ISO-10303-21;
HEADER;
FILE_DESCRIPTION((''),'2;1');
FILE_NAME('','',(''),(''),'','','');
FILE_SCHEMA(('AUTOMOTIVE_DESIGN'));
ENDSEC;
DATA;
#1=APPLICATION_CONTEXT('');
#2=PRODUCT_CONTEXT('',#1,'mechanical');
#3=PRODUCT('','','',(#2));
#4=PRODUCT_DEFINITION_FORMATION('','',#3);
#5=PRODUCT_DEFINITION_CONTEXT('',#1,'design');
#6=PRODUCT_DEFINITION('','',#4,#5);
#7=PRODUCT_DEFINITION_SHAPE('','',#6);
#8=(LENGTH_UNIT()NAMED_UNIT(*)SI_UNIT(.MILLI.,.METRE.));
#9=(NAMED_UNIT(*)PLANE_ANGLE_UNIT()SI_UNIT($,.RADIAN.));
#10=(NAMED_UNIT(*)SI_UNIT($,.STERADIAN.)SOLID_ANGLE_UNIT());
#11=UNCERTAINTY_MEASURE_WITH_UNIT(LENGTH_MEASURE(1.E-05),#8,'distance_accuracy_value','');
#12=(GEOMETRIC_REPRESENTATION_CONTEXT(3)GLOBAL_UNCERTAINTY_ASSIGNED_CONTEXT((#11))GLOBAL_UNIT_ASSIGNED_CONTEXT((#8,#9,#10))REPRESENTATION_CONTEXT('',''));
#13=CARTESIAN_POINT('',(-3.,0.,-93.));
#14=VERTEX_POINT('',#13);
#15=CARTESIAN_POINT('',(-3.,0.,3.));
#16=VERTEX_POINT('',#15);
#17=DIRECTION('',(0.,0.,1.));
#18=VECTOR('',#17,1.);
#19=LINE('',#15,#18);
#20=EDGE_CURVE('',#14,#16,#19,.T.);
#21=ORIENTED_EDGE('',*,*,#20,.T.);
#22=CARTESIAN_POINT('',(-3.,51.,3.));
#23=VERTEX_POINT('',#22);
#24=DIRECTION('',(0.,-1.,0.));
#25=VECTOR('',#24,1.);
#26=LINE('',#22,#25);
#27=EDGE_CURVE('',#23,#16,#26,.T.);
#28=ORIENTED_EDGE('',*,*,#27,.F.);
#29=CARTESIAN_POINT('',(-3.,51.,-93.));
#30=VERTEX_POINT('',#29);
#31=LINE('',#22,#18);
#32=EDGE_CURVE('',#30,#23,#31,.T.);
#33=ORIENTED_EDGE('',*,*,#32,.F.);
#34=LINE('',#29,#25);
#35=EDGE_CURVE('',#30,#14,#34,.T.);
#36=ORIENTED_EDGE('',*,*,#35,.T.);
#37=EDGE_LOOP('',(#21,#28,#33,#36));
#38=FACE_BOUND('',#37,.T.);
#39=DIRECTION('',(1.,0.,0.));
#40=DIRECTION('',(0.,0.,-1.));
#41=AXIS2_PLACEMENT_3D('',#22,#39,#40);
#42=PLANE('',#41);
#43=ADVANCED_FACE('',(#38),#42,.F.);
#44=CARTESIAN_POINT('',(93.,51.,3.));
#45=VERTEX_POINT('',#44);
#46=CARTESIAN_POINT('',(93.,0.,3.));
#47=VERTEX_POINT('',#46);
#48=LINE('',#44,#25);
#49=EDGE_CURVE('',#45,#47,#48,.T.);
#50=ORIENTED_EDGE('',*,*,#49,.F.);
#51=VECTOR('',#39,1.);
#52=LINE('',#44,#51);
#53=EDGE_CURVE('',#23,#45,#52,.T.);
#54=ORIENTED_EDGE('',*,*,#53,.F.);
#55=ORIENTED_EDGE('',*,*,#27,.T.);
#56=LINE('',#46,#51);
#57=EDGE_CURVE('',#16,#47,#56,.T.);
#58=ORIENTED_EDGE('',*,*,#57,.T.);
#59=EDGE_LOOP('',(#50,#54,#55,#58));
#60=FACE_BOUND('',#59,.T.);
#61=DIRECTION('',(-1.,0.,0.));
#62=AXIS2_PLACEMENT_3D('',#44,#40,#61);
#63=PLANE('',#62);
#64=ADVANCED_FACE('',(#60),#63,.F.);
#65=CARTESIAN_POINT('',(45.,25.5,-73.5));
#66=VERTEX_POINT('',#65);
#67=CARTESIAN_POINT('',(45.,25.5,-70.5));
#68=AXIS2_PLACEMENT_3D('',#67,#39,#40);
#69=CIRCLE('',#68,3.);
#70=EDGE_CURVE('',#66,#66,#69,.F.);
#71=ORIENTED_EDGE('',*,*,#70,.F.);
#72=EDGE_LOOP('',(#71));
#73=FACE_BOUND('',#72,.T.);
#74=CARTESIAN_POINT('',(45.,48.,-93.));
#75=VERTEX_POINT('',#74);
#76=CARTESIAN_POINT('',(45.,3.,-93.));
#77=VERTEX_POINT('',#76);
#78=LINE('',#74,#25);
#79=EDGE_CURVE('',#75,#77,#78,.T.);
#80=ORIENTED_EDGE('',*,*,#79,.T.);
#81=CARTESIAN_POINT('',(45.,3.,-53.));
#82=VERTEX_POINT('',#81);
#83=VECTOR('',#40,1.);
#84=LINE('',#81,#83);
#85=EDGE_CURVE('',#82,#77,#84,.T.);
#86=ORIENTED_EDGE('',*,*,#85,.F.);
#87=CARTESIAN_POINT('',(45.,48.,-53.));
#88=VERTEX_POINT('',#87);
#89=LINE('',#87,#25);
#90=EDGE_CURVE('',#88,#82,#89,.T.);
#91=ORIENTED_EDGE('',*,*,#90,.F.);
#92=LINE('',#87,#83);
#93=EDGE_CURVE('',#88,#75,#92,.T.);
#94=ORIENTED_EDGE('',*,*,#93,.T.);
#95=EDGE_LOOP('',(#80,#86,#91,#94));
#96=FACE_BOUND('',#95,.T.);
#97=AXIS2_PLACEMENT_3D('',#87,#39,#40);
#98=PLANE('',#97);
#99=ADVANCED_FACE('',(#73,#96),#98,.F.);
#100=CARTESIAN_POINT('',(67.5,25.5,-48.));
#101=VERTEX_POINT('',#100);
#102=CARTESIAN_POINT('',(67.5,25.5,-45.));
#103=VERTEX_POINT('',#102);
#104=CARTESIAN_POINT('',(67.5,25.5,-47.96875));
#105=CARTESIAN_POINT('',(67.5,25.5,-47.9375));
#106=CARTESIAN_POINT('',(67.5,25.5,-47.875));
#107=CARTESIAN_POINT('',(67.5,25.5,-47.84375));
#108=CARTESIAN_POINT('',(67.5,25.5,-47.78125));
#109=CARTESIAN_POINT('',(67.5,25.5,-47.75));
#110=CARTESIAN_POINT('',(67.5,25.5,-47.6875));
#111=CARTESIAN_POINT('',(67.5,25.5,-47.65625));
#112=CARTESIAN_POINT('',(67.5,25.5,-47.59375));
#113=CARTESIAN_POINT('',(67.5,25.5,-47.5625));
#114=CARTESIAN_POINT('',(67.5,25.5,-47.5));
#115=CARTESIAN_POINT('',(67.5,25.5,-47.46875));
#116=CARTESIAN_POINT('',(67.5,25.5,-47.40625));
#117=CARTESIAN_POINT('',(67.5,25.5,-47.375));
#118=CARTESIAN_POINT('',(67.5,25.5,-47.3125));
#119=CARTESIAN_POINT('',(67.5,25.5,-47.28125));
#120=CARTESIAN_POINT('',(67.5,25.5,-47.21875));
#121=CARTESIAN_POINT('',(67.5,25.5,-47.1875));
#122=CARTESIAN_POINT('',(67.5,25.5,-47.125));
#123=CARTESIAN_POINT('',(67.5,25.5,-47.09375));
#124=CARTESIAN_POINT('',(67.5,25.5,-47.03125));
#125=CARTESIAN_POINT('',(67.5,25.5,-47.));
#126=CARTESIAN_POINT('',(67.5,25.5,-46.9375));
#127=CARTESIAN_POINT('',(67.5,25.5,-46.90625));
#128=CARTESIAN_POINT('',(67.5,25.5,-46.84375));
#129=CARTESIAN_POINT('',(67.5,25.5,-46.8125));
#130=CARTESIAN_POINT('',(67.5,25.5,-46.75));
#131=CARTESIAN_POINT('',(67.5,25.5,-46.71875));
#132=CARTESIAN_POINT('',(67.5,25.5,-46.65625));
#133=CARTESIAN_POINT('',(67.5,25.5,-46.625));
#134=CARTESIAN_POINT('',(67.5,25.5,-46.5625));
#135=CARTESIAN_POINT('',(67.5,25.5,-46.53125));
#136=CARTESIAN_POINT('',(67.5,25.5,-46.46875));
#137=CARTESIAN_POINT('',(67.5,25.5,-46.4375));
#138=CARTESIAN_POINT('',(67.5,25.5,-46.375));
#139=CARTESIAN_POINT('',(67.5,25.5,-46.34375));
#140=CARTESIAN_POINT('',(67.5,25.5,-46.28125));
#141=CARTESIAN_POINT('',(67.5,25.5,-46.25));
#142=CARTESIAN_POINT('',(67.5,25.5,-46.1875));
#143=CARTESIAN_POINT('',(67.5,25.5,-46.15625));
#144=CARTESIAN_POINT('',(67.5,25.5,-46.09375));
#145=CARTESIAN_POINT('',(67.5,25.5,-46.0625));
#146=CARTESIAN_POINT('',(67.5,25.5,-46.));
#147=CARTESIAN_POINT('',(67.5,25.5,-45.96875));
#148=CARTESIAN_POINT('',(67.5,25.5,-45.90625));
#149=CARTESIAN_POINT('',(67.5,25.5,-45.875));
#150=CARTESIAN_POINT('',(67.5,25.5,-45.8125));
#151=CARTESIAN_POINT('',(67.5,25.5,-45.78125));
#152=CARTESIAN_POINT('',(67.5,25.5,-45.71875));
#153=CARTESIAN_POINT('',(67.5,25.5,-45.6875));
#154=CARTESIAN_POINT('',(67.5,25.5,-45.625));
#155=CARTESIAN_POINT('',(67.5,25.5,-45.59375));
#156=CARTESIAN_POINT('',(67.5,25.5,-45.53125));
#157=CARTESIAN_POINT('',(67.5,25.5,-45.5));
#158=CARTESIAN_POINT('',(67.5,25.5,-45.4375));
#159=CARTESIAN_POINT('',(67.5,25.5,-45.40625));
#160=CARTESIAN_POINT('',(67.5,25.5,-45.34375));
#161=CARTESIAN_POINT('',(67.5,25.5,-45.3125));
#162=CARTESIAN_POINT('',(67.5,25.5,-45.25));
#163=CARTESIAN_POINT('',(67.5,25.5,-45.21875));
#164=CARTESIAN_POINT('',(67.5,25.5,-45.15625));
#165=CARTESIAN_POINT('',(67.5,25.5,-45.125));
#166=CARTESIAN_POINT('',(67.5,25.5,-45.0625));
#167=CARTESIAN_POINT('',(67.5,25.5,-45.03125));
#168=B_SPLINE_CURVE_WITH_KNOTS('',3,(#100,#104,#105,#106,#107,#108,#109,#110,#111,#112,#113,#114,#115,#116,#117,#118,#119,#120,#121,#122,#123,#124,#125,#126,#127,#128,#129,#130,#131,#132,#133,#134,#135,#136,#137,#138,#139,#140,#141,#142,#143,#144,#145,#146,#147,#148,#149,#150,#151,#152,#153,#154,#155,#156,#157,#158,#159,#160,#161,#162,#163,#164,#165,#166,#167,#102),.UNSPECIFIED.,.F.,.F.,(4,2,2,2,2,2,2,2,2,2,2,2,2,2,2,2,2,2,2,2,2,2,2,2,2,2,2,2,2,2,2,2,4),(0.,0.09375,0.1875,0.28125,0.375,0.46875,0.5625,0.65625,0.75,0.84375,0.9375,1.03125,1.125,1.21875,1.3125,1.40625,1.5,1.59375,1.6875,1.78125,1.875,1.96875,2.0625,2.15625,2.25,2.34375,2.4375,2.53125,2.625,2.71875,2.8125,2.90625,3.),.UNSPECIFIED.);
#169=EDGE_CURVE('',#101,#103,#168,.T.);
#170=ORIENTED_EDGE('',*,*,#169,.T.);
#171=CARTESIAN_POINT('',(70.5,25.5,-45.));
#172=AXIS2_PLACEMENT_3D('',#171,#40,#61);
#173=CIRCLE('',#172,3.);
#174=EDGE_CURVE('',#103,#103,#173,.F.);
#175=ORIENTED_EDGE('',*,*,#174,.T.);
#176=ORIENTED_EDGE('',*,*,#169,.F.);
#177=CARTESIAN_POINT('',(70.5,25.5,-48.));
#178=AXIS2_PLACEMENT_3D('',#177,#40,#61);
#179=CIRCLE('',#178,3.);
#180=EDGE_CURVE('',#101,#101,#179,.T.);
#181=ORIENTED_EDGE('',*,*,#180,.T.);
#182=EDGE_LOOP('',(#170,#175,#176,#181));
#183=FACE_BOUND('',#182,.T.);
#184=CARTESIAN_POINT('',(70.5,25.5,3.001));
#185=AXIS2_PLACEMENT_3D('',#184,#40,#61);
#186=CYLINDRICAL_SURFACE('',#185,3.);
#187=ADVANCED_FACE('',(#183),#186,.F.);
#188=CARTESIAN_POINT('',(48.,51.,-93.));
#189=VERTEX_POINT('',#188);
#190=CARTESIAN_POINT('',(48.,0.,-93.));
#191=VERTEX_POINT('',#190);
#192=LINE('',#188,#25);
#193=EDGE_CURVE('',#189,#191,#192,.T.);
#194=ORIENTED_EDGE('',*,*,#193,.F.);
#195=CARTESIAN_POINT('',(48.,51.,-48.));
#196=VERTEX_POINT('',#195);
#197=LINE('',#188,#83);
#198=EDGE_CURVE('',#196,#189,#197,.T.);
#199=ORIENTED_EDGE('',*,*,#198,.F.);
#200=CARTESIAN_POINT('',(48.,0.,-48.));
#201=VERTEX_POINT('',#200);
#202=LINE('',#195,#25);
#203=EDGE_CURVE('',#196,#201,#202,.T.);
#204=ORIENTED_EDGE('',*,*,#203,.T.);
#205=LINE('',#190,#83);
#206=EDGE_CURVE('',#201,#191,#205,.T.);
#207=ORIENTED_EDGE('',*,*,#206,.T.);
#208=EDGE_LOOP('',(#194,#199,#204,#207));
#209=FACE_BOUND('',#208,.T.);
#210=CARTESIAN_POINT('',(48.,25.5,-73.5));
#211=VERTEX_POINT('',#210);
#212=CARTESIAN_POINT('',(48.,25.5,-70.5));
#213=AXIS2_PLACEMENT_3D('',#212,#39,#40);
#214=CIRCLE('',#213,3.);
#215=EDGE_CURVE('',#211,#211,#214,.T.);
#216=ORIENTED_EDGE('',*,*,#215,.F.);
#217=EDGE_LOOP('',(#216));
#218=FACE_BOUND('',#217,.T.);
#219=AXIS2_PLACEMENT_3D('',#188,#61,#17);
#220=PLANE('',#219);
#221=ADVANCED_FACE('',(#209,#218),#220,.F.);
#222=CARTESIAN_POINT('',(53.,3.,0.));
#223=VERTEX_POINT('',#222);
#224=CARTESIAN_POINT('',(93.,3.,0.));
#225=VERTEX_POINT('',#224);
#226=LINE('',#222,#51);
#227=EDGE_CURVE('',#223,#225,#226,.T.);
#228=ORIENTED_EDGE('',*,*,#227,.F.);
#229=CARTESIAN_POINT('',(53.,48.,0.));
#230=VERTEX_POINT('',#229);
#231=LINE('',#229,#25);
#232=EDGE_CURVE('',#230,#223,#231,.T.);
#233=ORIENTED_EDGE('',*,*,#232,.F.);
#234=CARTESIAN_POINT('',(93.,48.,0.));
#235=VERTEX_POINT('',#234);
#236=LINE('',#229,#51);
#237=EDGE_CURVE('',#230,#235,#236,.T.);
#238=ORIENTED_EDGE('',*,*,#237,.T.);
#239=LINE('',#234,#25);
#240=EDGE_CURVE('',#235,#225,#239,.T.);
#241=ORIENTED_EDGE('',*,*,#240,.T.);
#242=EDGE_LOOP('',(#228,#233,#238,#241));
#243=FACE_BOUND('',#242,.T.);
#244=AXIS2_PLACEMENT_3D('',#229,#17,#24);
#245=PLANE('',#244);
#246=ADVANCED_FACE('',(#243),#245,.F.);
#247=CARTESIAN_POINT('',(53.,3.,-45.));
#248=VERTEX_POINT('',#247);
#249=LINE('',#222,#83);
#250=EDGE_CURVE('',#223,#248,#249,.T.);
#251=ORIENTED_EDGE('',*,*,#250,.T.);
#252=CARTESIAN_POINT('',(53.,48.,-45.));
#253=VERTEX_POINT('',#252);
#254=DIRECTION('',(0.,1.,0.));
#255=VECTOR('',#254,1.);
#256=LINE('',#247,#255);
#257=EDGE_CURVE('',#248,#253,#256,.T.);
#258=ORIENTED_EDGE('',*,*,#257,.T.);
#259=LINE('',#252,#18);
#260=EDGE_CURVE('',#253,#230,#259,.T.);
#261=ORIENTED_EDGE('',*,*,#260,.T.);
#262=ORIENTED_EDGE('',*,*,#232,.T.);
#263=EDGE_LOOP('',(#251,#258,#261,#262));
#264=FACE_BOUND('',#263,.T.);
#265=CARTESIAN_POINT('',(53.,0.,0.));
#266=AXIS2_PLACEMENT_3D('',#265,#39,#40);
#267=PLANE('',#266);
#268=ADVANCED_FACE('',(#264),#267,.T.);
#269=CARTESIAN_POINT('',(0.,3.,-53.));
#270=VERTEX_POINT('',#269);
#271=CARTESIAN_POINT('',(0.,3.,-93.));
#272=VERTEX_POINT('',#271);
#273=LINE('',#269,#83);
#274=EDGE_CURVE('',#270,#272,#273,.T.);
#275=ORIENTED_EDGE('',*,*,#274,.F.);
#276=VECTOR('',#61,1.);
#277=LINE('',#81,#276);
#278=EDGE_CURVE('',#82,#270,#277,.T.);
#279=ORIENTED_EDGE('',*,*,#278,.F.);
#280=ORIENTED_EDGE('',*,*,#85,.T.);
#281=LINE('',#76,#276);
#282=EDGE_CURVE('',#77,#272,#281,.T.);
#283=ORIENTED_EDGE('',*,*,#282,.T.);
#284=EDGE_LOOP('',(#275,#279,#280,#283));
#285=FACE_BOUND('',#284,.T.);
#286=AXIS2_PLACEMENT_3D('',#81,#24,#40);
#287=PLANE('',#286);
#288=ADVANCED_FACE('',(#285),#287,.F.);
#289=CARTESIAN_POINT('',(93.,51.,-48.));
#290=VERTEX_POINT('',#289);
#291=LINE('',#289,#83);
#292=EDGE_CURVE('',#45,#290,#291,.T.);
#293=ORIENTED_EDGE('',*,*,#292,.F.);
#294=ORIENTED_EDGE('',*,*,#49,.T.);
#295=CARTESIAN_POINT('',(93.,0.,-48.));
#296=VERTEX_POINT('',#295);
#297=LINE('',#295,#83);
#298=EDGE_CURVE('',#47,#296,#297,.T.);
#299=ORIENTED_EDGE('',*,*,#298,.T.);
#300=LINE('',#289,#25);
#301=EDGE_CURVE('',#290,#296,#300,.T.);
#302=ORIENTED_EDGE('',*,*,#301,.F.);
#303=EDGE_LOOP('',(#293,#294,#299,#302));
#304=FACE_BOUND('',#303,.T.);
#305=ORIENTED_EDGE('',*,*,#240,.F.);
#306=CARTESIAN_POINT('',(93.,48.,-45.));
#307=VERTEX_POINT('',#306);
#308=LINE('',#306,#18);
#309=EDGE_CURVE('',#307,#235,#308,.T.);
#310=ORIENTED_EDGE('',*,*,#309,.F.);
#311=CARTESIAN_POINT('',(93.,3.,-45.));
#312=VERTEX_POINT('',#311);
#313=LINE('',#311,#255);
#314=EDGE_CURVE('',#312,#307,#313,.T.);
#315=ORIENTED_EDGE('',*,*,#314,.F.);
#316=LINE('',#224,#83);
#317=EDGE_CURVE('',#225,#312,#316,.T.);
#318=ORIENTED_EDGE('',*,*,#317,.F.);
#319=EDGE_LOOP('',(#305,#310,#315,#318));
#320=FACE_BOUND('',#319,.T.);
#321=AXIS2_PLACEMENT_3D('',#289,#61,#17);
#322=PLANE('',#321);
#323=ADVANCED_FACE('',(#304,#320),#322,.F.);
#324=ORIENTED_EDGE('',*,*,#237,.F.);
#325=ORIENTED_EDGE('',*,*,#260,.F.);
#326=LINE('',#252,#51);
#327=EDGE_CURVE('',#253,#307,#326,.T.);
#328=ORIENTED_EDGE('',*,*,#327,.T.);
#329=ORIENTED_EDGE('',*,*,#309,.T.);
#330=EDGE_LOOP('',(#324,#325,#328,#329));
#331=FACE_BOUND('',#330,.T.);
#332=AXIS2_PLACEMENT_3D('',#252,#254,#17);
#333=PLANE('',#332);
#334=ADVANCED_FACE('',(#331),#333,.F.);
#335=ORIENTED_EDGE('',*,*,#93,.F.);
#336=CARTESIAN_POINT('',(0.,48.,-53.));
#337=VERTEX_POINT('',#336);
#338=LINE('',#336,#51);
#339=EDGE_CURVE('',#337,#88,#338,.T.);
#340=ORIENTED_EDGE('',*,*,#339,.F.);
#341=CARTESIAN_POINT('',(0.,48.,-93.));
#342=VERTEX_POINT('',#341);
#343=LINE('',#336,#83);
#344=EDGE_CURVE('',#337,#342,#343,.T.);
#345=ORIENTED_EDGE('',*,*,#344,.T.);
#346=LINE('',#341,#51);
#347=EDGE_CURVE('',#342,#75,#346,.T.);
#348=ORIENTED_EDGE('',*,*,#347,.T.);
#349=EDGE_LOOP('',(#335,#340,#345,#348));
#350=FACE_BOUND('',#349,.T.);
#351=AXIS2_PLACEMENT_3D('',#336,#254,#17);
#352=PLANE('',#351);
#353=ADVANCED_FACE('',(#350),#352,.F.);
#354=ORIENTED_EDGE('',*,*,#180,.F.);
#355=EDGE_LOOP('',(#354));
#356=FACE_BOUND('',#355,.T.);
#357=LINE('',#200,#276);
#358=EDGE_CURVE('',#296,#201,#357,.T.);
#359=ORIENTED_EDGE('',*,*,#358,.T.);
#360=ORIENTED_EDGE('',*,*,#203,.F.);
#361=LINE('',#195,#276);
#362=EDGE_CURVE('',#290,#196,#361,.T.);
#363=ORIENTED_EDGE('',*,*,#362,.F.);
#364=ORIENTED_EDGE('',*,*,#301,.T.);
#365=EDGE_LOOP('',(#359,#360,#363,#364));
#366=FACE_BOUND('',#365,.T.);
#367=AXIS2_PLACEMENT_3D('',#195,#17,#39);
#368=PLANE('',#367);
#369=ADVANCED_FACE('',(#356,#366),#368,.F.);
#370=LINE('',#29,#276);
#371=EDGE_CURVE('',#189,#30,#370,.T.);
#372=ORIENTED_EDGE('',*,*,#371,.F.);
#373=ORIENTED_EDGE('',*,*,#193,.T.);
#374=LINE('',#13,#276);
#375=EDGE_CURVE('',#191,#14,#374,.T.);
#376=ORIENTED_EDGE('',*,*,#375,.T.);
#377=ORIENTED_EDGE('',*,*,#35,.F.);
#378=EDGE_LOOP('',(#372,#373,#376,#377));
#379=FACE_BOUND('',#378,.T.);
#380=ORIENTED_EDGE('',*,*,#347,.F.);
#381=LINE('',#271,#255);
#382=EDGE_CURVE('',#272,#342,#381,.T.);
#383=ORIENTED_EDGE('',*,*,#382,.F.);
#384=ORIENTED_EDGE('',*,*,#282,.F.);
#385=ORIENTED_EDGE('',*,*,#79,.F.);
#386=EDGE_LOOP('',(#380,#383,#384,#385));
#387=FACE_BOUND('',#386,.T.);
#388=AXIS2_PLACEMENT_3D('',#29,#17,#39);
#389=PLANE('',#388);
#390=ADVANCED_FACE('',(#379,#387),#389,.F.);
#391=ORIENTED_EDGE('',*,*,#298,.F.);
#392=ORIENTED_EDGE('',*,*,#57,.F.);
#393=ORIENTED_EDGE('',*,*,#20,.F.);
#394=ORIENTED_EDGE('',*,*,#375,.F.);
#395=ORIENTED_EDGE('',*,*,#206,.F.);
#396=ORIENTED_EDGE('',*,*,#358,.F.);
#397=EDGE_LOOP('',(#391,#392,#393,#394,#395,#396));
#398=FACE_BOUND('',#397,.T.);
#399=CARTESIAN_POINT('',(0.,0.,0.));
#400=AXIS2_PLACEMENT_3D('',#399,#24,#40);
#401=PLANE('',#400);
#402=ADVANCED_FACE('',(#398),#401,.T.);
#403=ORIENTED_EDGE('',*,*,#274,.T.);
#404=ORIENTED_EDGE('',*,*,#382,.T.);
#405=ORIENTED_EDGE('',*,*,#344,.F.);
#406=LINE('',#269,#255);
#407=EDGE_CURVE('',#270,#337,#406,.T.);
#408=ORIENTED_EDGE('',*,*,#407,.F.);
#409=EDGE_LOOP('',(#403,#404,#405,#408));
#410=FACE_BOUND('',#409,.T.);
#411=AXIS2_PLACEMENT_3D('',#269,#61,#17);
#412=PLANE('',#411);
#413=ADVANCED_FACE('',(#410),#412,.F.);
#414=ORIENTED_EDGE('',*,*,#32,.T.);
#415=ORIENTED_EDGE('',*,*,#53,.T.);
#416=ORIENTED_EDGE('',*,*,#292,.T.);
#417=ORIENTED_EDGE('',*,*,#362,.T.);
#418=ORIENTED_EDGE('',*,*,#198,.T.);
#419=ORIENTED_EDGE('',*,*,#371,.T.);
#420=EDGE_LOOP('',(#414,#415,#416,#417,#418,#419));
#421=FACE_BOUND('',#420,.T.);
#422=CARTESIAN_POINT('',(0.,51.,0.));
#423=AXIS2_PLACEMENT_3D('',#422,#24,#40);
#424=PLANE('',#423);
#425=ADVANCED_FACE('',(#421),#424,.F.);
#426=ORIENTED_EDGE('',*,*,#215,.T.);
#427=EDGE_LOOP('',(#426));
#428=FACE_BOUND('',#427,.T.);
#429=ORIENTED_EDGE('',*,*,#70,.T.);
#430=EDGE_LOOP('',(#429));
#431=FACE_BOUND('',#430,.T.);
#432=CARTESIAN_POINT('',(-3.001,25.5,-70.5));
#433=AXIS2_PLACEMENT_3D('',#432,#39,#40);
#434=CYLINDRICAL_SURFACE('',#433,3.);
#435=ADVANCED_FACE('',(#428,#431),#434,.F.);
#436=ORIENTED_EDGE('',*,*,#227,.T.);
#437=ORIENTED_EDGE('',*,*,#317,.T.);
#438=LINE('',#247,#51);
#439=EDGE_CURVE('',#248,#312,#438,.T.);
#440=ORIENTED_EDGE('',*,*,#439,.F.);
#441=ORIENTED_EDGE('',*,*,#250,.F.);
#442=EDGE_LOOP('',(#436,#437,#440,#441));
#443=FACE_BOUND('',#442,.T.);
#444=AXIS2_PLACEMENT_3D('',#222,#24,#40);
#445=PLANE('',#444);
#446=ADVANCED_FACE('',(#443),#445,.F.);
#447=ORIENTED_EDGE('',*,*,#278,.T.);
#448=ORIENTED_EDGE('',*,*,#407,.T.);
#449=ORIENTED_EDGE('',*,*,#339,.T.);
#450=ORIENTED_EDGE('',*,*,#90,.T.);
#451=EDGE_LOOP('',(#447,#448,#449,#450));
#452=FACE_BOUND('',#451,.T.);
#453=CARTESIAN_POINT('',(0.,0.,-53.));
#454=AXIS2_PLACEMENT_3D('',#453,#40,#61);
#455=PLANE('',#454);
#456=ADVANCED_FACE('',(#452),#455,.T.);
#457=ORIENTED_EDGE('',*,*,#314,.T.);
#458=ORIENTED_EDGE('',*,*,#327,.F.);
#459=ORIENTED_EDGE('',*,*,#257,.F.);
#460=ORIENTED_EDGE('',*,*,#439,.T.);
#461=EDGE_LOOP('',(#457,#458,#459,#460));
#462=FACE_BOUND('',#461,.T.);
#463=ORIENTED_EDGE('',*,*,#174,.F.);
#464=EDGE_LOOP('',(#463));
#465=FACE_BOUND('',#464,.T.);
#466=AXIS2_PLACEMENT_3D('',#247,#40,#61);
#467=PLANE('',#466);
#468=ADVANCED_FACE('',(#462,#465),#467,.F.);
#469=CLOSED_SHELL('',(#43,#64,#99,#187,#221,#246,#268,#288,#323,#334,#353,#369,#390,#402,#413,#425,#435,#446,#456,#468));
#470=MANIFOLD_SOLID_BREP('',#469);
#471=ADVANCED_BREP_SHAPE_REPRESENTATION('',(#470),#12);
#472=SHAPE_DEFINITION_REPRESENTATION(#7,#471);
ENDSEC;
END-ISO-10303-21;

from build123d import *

# Parameters (mm, degrees)
BOSS_EXTRUDE1_DEPTH = 51
SKETCH2_W           = 45
SKETCH2_H           = 45
CUT_EXTRUDE1_DEPTH  = 40
SKETCH3_W           = 45
SKETCH3_H           = 45
CUT_EXTRUDE2_DEPTH  = 40
CUT_EXTRUDE3_REACH  = 119.69
SKETCH4_R           = 3
CUT_EXTRUDE4_REACH  = 119.69
SKETCH5_R           = 3


with BuildPart() as part:
    # Sketch1 → Boss-Extrude1 (new body)
    with BuildSketch(Plane(origin=(0, 0, 0), x_dir=(1, 0, 0), z_dir=(0, 1, 0))):
        Polygon((-3, -3), (-3, 93), (48, 93), (48, 48), (93, 48), (93, -3), align=None)
    extrude(amount=BOSS_EXTRUDE1_DEPTH)

    # Sketch2 → Cut-Extrude1 (cut)
    with BuildSketch(Plane(origin=(93, 0, 0), x_dir=(0, 0, -1), z_dir=(1, 0, 0))):
        with Locations((22.5, 25.5)):
            Rectangle(SKETCH2_W, SKETCH2_H)
    extrude(amount=-CUT_EXTRUDE1_DEPTH, mode=Mode.SUBTRACT)

    # Sketch3 → Cut-Extrude2 (cut)
    with BuildSketch(Plane(origin=(0, 0, -93), x_dir=(-1, 0, 0), z_dir=(0, 0, -1))):
        with Locations((-22.5, 25.5)):
            Rectangle(SKETCH3_W, SKETCH3_H)
    extrude(amount=-CUT_EXTRUDE2_DEPTH, mode=Mode.SUBTRACT)

    # Sketch4 → Cut-Extrude3 (cut, up to next)
    with BuildSketch(Plane(origin=(0, 0, -48), x_dir=(-1, 0, 0), z_dir=(0, 0, -1)), mode=Mode.PRIVATE) as cut_extrude3_sk1:
        with Locations((-70.5, 25.5)):
            Circle(SKETCH4_R)
    cut_extrude3_tool1 = extrude(cut_extrude3_sk1.sketch, amount=-CUT_EXTRUDE3_REACH, mode=Mode.PRIVATE) & part.part
    add(cut_extrude3_tool1.solids().sort_by_distance((70.5, 25.5, -48))[0], mode=Mode.SUBTRACT)

    # Sketch5 → Cut-Extrude4 (cut, up to next)
    with BuildSketch(Plane(origin=(48, 0, 0), x_dir=(0, 0, -1), z_dir=(1, 0, 0)), mode=Mode.PRIVATE) as cut_extrude4_sk1:
        with Locations((70.5, 25.5)):
            Circle(SKETCH5_R)
    cut_extrude4_tool1 = extrude(cut_extrude4_sk1.sketch, amount=-CUT_EXTRUDE4_REACH, mode=Mode.PRIVATE) & part.part
    add(cut_extrude4_tool1.solids().sort_by_distance((48, 25.5, -70.5))[0], mode=Mode.SUBTRACT)


solid = part.part
